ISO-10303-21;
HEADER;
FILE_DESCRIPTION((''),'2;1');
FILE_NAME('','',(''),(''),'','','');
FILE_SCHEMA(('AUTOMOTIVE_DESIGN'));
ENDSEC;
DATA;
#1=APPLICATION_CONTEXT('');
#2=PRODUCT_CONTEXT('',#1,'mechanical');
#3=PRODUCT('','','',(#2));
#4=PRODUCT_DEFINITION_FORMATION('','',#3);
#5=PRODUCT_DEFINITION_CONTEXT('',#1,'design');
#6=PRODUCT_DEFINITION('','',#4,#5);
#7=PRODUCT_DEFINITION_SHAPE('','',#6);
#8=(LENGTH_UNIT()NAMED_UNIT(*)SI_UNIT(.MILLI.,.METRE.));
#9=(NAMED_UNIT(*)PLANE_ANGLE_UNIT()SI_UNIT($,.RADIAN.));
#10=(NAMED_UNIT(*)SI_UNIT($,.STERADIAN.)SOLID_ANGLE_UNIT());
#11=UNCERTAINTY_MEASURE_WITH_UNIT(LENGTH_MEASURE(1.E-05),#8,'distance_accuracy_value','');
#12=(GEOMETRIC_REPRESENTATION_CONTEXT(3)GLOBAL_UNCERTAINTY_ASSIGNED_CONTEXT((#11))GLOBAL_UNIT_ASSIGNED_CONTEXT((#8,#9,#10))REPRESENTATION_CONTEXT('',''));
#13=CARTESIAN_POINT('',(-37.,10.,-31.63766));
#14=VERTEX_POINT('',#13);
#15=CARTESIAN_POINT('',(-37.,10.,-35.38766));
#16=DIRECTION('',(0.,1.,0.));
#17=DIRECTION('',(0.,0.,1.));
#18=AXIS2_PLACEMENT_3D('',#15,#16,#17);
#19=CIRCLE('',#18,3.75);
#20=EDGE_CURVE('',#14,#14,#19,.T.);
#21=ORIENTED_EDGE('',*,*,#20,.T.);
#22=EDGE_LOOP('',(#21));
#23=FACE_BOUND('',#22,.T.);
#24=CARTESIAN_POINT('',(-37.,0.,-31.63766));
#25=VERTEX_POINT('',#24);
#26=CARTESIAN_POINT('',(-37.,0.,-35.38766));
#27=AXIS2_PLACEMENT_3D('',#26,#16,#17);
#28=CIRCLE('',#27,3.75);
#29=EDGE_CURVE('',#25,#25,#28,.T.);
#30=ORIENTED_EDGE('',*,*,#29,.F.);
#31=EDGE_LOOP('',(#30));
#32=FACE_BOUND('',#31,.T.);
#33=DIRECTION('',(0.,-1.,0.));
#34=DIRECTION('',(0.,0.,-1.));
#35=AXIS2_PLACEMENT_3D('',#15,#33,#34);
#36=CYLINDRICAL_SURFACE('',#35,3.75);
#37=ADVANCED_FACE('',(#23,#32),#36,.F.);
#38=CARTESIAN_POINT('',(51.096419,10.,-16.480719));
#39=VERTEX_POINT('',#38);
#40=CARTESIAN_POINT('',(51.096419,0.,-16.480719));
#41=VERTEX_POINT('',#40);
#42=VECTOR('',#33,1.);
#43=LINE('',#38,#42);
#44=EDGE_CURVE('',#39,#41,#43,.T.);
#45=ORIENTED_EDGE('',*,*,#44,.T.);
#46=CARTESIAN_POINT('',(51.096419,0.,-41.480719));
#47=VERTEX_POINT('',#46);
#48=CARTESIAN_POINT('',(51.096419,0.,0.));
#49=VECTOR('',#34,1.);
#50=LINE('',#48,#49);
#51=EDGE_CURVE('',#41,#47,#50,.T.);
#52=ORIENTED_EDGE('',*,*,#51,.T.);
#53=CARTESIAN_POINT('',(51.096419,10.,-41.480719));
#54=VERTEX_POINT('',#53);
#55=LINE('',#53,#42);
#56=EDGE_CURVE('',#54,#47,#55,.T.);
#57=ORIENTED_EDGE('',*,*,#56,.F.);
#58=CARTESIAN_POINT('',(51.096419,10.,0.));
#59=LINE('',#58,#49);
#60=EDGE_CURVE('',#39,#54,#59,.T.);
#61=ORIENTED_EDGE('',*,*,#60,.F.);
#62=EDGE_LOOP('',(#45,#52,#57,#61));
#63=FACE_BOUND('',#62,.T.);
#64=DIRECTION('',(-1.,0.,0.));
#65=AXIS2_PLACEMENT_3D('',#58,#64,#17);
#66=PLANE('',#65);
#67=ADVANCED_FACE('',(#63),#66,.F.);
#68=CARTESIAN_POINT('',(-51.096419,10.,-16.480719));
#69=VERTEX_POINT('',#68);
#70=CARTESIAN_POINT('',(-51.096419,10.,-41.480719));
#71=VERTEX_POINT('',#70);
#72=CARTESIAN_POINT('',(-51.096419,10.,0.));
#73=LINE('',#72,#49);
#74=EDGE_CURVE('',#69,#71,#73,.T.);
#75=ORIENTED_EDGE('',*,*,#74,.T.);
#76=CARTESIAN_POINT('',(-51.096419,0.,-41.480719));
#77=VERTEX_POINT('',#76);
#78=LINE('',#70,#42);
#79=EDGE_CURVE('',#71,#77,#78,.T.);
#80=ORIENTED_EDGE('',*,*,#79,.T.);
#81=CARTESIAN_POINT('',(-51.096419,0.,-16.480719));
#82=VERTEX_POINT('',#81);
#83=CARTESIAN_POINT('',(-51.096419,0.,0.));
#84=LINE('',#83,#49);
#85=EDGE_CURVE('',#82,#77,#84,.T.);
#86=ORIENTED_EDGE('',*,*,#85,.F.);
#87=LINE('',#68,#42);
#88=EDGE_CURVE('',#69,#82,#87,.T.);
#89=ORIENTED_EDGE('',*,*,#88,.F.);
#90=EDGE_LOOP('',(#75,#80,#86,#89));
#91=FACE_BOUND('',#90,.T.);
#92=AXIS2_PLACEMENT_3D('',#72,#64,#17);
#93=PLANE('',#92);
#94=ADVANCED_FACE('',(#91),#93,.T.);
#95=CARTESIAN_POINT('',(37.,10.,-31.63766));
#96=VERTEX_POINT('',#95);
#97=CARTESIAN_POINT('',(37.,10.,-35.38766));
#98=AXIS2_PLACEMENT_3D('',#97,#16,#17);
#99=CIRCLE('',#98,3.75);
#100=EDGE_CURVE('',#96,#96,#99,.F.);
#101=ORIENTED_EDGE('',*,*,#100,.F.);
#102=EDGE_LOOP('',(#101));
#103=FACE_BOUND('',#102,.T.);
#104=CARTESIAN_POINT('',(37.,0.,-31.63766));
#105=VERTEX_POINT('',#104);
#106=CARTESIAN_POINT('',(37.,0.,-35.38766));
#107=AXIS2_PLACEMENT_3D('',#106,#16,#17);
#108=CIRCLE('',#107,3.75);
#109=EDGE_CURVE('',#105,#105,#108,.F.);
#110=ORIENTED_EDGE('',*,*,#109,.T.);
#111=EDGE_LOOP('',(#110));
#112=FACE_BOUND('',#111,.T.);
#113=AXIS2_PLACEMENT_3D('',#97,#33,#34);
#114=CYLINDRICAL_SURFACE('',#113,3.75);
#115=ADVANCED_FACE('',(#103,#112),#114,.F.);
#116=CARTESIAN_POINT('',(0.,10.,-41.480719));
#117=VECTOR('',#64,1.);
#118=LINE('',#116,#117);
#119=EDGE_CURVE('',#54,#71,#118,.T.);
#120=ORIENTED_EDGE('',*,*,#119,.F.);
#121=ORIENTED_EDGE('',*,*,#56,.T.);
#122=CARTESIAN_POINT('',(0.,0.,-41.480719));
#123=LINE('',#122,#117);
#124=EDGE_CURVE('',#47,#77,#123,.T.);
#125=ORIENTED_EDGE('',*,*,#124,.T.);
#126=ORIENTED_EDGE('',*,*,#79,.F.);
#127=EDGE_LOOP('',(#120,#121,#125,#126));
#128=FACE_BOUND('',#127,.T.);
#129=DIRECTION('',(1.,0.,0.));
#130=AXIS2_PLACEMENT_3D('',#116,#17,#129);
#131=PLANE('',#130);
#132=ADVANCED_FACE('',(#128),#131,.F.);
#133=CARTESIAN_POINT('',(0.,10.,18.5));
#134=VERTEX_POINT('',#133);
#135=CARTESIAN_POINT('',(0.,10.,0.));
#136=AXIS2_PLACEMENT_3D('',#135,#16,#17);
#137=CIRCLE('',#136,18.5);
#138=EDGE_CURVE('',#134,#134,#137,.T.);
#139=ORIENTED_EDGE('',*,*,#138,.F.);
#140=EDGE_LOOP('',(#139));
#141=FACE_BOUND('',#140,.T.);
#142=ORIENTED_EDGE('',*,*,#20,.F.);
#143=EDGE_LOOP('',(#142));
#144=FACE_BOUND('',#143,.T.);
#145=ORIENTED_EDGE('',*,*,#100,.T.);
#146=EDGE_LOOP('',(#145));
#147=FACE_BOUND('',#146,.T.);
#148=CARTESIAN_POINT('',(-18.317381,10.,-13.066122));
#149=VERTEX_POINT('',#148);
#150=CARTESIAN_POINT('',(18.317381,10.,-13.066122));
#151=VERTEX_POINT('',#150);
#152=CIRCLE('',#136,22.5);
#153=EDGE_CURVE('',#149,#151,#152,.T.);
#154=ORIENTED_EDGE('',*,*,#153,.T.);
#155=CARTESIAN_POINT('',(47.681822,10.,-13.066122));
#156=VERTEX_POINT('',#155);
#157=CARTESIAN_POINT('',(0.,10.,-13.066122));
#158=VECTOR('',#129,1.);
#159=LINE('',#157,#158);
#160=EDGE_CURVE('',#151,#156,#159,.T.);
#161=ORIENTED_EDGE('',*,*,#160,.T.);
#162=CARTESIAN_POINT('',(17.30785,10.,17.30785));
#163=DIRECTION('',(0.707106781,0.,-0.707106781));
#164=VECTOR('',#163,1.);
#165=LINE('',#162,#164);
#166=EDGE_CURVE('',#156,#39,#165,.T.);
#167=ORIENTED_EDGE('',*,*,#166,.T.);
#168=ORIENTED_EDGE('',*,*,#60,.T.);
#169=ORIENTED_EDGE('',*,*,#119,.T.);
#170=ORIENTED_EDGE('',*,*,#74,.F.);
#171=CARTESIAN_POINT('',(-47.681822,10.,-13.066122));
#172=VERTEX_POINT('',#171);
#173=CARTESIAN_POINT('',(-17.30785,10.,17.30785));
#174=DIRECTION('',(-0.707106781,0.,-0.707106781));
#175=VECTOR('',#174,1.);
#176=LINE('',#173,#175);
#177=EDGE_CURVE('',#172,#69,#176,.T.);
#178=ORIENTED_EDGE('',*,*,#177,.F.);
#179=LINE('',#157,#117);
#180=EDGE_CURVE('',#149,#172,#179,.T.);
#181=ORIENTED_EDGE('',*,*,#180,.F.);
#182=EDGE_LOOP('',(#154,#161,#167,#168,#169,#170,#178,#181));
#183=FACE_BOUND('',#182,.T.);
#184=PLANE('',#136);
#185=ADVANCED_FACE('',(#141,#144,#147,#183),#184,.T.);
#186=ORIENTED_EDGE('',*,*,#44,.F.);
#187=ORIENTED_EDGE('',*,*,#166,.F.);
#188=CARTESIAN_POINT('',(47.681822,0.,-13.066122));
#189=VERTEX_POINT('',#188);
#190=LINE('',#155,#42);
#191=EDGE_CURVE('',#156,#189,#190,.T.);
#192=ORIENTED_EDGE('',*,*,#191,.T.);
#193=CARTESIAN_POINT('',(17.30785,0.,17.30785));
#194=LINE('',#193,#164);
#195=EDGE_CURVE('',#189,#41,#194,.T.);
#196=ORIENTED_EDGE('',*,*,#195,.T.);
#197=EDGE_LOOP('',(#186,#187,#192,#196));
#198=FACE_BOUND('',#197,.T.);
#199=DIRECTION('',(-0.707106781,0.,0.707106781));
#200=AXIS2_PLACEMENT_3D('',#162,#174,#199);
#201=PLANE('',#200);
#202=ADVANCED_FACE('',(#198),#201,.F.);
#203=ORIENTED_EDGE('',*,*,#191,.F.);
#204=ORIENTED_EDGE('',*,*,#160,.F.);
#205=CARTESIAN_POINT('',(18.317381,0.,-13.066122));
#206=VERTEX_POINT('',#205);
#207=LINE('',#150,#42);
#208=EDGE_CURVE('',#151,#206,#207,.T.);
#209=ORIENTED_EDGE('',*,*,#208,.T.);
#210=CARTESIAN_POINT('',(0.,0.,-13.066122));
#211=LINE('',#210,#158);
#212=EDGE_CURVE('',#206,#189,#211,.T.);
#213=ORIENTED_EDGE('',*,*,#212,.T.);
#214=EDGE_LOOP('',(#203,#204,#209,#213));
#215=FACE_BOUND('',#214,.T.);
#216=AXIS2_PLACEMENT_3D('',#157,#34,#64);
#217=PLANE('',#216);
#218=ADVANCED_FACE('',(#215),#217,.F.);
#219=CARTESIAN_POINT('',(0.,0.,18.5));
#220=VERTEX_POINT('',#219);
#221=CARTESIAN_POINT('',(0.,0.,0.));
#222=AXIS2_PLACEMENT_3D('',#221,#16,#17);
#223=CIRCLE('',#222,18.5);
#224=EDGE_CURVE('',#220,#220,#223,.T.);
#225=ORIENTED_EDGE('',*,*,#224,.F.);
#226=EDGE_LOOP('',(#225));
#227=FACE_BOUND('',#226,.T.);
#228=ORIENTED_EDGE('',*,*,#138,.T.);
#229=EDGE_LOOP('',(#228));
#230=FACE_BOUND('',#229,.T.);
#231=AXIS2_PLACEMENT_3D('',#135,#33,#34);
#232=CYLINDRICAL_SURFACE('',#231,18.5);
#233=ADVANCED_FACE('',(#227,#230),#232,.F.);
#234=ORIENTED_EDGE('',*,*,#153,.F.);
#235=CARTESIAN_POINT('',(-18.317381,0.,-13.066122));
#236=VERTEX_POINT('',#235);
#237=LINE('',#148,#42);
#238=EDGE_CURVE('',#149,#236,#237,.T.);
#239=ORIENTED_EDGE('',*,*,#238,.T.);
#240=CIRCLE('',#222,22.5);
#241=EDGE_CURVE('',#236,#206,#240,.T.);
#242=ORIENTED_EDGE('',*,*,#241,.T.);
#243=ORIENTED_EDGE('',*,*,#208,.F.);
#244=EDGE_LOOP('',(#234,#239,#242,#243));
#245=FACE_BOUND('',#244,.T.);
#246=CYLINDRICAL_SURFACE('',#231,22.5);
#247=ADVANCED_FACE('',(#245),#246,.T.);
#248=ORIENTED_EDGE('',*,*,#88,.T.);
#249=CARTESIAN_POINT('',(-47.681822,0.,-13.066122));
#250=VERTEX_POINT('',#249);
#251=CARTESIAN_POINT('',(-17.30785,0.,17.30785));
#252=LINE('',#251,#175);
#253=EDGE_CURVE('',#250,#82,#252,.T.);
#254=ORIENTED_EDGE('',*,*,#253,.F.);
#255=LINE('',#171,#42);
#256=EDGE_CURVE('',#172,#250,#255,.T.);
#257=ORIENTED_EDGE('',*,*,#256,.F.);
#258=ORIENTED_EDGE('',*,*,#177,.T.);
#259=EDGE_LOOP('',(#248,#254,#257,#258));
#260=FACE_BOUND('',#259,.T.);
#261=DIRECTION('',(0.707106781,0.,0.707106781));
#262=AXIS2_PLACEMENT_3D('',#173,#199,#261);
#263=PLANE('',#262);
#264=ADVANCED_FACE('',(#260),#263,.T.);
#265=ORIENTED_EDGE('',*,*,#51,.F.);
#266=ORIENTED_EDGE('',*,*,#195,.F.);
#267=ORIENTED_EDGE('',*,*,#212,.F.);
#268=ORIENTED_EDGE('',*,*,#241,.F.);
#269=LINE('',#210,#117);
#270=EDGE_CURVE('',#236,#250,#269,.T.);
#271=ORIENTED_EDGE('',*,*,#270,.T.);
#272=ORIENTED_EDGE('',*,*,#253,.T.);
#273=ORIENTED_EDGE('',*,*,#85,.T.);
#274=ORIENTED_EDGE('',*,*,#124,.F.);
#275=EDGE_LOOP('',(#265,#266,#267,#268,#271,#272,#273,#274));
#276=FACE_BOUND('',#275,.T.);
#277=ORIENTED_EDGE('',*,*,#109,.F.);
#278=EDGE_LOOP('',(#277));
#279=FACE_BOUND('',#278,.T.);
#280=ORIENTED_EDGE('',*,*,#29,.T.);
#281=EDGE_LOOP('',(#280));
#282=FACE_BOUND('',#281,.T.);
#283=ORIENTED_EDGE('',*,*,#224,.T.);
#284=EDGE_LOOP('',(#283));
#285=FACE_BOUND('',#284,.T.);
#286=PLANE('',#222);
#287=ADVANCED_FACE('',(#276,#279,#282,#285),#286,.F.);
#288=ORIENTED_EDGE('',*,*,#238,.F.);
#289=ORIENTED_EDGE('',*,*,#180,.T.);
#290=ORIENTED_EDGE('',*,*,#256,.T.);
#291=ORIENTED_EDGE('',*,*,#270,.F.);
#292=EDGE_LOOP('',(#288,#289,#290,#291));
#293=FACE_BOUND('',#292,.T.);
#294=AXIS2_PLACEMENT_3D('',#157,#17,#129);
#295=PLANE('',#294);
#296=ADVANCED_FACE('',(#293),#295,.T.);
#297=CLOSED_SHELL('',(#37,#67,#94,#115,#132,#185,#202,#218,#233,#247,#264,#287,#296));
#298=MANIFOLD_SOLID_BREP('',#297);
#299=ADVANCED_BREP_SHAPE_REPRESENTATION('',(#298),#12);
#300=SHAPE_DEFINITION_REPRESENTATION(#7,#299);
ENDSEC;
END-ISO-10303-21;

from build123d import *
from build123d.topology import SkipClean

# Parameters (mm, degrees)
SKETCH1_R           = 22.5
SKETCH1_R_2         = 18.5
BOSS_EXTRUDE1_DEPTH = 10
SKETCH2_R           = 3.75
BOSS_EXTRUDE2_DEPTH = 10


with BuildPart() as part:
    # Sketch1 → Boss-Extrude1 (new body)
    with BuildSketch(Plane(origin=(0, 0, 0), x_dir=(1, 0, 0), z_dir=(0, 1, 0))):
        with Locations(Location((0, 0, 0), (0, 0, 270))):
            Circle(SKETCH1_R)
        with Locations(Location((0, 0, 0), (0, 0, 270))):
            Circle(SKETCH1_R_2, mode=Mode.SUBTRACT)
    extrude(amount=BOSS_EXTRUDE1_DEPTH)

    # Sketch2 → Boss-Extrude2 (add)
    with SkipClean():  # the faces are left unmerged after this step: merging them gives an invalid solid
        with BuildSketch(Plane(origin=(0, 0, 0), x_dir=(1, 0, 0), z_dir=(0, 1, 0))):
            with BuildLine():
                Line((18.317381325, 13.066121896), (37, 13.066121896))
                Line((37, 13.066121896), (47.681821621, 13.066121896))
                Line((47.681821621, 13.066121896), (51.096419029, 16.480719304))
                Line((51.096419029, 16.480719304), (51.096419029, 41.480719304))
                Line((51.096419029, 41.480719304), (0, 41.480719304))
                Line((0, 41.480719304), (-51.096419029, 41.480719304))
                Line((-51.096419029, 41.480719304), (-51.096419029, 16.480719304))
                Line((-51.096419029, 16.480719304), (-47.681821621, 13.066121896))
                Line((-47.681821621, 13.066121896), (-37, 13.066121896))
                Line((-37, 13.066121896), (-18.317381325, 13.066121896))
                Line((-18.317381325, 13.066121896), (-13.096811009, 13.066121896))
                ThreePointArc((-13.096811009, 13.066121896), (0, 18.5), (13.096811009, 13.066121896))
                Line((13.096811009, 13.066121896), (18.317381325, 13.066121896))
            make_face()
            with Locations(Location((-37, 35.387659732, 0), (0, 0, 270))):
                Circle(SKETCH2_R, mode=Mode.SUBTRACT)
            with Locations(Location((37, 35.387659732, 0), (0, 0, 270))):
                Circle(SKETCH2_R, mode=Mode.SUBTRACT)
        extrude(amount=BOSS_EXTRUDE2_DEPTH)


solid = part.part
